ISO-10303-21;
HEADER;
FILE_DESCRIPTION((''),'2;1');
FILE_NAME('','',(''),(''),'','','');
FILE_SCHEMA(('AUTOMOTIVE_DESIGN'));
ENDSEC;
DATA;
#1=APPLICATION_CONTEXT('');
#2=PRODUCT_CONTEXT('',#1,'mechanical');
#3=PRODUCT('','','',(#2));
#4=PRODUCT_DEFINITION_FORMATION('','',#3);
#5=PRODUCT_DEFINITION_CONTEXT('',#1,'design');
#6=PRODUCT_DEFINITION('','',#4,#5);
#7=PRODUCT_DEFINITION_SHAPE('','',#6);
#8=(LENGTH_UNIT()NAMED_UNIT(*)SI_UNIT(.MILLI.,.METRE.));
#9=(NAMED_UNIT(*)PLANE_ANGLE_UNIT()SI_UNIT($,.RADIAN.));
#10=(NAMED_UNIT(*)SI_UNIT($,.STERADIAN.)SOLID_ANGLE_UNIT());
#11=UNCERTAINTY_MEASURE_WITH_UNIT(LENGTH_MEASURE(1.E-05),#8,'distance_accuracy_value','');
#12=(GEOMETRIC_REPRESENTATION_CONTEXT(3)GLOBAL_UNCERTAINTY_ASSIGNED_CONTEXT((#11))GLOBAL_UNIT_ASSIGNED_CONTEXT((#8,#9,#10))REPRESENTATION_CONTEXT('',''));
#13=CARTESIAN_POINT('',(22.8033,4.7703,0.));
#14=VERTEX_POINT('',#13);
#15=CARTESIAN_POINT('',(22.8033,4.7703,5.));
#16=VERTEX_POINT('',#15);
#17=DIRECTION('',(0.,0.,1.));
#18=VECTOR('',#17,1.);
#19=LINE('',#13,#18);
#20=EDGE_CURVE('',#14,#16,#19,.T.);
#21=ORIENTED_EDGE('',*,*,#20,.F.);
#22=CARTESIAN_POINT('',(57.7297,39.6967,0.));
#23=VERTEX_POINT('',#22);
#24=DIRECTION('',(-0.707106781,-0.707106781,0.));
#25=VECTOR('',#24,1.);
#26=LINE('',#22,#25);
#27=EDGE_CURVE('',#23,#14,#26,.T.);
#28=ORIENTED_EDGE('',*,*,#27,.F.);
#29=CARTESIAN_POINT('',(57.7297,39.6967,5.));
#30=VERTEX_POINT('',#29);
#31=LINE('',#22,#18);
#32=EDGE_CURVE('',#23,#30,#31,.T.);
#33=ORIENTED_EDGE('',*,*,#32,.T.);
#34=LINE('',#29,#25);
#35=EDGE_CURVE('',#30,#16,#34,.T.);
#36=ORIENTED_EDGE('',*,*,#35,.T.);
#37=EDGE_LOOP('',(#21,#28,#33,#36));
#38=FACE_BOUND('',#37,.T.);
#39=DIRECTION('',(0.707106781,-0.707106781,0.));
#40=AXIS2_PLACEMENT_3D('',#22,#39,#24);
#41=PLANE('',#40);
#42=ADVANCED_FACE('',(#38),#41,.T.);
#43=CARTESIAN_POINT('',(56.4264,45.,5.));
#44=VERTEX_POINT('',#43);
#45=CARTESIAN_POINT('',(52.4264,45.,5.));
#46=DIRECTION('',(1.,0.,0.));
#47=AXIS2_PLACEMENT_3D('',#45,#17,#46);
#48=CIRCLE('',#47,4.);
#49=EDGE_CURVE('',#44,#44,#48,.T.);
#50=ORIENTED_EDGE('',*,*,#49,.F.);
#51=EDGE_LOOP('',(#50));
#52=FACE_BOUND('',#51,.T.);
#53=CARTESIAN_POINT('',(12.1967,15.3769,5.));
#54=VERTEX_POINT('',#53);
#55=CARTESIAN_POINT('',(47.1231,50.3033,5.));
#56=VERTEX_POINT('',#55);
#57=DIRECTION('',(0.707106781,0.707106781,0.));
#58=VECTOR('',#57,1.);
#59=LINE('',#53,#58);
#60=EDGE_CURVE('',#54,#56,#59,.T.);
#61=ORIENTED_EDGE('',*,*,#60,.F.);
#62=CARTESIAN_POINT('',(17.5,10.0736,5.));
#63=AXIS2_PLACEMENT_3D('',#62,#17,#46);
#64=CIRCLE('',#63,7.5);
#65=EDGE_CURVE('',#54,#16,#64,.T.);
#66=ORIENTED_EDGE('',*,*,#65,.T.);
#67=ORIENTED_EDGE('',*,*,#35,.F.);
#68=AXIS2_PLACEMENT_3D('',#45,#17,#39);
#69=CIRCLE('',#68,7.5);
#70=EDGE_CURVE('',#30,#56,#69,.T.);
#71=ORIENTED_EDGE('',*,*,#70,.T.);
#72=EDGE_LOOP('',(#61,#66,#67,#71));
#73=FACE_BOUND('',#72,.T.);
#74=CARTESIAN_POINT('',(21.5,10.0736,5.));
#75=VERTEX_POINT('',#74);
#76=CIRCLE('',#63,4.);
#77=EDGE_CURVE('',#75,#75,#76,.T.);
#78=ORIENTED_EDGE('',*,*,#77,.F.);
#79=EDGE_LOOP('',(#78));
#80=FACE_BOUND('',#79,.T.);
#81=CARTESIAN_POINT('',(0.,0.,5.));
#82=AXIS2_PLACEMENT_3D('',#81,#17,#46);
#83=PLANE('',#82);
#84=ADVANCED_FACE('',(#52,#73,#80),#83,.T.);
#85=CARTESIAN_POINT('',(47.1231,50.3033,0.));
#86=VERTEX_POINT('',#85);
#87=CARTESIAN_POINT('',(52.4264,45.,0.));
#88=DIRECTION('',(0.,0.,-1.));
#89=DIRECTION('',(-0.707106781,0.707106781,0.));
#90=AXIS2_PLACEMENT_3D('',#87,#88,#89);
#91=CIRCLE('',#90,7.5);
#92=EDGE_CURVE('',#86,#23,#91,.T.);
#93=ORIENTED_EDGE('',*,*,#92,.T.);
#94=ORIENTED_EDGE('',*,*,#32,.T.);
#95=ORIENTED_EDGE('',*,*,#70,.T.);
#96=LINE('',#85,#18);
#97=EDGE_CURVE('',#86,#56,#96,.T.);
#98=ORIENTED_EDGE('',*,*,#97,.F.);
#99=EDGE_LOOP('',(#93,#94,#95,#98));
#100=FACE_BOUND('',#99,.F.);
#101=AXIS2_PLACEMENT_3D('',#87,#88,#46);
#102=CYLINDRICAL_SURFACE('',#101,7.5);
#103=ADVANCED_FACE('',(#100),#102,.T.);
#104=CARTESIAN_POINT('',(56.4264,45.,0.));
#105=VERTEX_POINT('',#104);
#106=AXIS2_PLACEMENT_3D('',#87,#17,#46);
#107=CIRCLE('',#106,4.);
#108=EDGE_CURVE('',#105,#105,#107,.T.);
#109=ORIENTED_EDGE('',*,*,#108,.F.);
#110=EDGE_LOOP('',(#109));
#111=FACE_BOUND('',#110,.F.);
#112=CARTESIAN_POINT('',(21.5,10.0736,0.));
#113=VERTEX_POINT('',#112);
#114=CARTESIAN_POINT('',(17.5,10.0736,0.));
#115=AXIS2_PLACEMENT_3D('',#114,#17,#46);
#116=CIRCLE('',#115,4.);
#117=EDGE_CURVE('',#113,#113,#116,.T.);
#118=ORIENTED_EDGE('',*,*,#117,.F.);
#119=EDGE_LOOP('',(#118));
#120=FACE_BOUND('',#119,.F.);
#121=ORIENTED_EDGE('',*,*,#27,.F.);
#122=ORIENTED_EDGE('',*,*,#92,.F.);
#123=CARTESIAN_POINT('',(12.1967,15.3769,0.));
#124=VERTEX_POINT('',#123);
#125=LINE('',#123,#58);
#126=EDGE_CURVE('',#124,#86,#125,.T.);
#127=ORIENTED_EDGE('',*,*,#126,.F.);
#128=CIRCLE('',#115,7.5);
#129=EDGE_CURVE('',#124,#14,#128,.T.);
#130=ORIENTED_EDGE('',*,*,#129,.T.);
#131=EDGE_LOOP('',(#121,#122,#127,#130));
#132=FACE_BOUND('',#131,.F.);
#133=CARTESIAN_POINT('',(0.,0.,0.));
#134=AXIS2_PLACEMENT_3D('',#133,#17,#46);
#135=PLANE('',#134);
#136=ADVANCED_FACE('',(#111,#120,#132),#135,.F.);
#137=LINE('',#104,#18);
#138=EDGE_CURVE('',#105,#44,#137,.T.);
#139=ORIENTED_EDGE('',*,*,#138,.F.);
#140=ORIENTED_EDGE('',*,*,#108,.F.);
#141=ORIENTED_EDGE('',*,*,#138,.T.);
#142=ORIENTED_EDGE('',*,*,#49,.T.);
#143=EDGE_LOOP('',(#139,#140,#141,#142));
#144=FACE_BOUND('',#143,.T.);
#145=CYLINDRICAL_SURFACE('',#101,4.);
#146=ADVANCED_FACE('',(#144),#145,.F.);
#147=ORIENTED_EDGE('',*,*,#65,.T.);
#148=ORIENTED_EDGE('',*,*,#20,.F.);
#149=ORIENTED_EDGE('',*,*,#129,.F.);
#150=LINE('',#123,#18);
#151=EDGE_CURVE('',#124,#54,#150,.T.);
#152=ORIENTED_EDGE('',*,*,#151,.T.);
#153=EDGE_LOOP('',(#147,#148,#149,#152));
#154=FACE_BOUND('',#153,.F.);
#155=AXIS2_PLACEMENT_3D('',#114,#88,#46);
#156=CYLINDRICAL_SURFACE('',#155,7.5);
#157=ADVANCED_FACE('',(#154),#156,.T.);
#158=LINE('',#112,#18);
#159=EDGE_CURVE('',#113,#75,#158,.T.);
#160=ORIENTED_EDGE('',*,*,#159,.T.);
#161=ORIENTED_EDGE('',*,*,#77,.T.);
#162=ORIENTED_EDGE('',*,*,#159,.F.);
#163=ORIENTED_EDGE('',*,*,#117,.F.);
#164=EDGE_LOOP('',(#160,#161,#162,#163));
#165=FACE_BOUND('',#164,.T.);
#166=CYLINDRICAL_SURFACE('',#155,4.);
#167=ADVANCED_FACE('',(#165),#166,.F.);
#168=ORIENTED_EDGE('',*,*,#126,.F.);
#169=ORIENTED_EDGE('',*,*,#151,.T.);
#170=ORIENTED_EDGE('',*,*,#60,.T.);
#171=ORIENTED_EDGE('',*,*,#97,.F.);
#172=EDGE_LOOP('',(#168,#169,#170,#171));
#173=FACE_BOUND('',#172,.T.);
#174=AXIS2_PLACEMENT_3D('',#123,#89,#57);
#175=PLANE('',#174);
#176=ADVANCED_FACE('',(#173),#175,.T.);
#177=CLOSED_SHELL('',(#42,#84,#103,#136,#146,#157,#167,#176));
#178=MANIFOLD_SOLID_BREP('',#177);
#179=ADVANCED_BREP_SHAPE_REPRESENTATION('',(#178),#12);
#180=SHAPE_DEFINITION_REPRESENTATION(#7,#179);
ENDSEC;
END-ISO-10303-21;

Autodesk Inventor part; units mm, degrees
ref_plane "YZ Plane" through (0, 0, 0) normal (1, 0, 0) x (0, 1, 0)
ref_plane "XZ Plane" through (0, 0, 0) normal (0, 1, 0) x (-1, 0, 0)
ref_plane "XY Plane" through (0, 0, 0) normal (0, 0, 1) x (1, 0, 0)
sketch "Sketch1" plane through (0, 0, 0) normal (0, 0, 1) x (1, 0, 0)
  line L0 (0, 0) -> (140, 0)
  line L1 (140, 0) -> (140, 60) construction
  line L2 (140, 60) -> (0, 60) construction
  line L3 (0, 60) -> (0, 0) construction
  line L4 (0, 45) -> (15, 60)
  line L5 (0, 45) -> (21.2132, 45) construction
  line L6 (0, 45) -> (140, 45) construction
  line L7 (140, 45) -> (125, 60)
  line L8 (140, 45) -> (161.2132, 45) construction
  line L9 (0, 0) -> (0, 45)
  line L10 (140, 0) -> (140, 45)
  line L11 (125, 60) -> (15, 60)
  line L12 (0, 0) -> (140, 0)
  line L13 (140, 0) -> (140, 5)
  line L14 (140, 5) -> (0, 5) construction
  line L15 (0, 5) -> (0, 0)
  line L16 (0, 0) -> (5, 0)
  line L17 (5, 0) -> (5, 50) construction
  line L18 (5, 50) -> (0, 50) construction
  line L19 (0, 50) -> (0, 0) construction
  line L20 (140, 0) -> (135, 0) construction
  line L21 (135, 0) -> (135, 50) construction
  line L22 (135, 50) -> (140, 50) construction
  line L23 (140, 50) -> (140, 0) construction
  line L24 (0, 45) -> (30, 45) construction
  line L25 (140, 45) -> (30, 45) construction
  line L26 (85, 45) -> (100, 60)
  line L27 (140, 45) -> (36.3034, 45) construction
  line L28 (36.3034, 0) -> (140, 0)
  line L29 (140, 0) -> (140, 45)
  line L30 (0, 0) -> (10, 0)
  line L31 (10, 0) -> (10, 45) construction
  line L32 (10, 45) -> (0, 45) construction
  line L33 (0, 45) -> (0, 0)
  line L34 (10, 5) -> (22.1925, 5) construction
  circle A0 centre (81.8934, 52.5) radius 7.5 construction
  line L35 (81.8934, 52.5) -> (39.467, 10.0736) construction
  line L36 (81.8934, 52.5) -> (141.8934, 52.5) construction
  circle A1 centre (39.467, 10.0736) radius 7.5
  circle A2 centre (17.5, 10.0736) radius 7.5
  line L37 (17.5, 10.0736) -> (39.467, 10.0736) construction
  line L38 (17.5, 10.0736) -> (59.9264, 52.5) construction
  line L39 (17.5, 10.0736) -> (77.5, 10.0736) construction
  circle A3 centre (59.9264, 52.5) radius 7.5 construction
  line L40 (59.9264, 52.5) -> (81.8934, 52.5) construction
  circle A4 centre (52.4264, 45) radius 7.5
  circle A5 centre (74.3934, 45) radius 7.5
  line L41 (12.1967, 15.3769) -> (47.1231, 50.3033)
  line L42 (57.7297, 39.6967) -> (22.8033, 4.7703)
  line L43 (34.1637, 15.3769) -> (69.0901, 50.3033)
  line L44 (79.6967, 39.6967) -> (44.7703, 4.7703)
  circle A6 centre (52.4264, 45) radius 8 construction
  circle A7 centre (74.3934, 45) radius 8 construction
  line L45 (52.4264, 45) -> (74.3934, 45) construction
  line L46 (46.7696, 50.6569) -> (41.1127, 45) construction
  line L47 (46.7696, 50.6569) -> (54.7696, 50.6569) construction
  line L48 (52.4264, 53) -> (93, 53)
  circle A8 centre (52.4264, 45) radius 4
  circle A9 centre (74.3934, 45) radius 4
  circle A10 centre (17.5, 10.0736) radius 4
  dimension "d0" = 140
  dimension "d1" = 60
  dimension "d2" = 45
  dimension "d3" = 15
  dimension "d4" = 135
  dimension "d5" = 5
  dimension "d6" = 5
  dimension "d7" = 5
  dimension "d8" = 25
  dimension "d9" = 10
  dimension "d10" = 60
  dimension "d11" = 135
  dimension "d12" = 15
  dimension "d13" = 15
  dimension "d14" = 60
  dimension "d15" = 45
  dimension "d16" = 15
  dimension "d17" = 15
  dimension "d18" = 16
  dimension "d19" = 16
  dimension "d20" = 135
  dimension "d21" = 8
  dimension "d22" = 8
  dimension "d23" = 8
extrude "Extrusion1" add sketch "Sketch1" along normal blind 5 contours A2 | A2 L41 A4 L42 | A4
properties part number "Connector"
